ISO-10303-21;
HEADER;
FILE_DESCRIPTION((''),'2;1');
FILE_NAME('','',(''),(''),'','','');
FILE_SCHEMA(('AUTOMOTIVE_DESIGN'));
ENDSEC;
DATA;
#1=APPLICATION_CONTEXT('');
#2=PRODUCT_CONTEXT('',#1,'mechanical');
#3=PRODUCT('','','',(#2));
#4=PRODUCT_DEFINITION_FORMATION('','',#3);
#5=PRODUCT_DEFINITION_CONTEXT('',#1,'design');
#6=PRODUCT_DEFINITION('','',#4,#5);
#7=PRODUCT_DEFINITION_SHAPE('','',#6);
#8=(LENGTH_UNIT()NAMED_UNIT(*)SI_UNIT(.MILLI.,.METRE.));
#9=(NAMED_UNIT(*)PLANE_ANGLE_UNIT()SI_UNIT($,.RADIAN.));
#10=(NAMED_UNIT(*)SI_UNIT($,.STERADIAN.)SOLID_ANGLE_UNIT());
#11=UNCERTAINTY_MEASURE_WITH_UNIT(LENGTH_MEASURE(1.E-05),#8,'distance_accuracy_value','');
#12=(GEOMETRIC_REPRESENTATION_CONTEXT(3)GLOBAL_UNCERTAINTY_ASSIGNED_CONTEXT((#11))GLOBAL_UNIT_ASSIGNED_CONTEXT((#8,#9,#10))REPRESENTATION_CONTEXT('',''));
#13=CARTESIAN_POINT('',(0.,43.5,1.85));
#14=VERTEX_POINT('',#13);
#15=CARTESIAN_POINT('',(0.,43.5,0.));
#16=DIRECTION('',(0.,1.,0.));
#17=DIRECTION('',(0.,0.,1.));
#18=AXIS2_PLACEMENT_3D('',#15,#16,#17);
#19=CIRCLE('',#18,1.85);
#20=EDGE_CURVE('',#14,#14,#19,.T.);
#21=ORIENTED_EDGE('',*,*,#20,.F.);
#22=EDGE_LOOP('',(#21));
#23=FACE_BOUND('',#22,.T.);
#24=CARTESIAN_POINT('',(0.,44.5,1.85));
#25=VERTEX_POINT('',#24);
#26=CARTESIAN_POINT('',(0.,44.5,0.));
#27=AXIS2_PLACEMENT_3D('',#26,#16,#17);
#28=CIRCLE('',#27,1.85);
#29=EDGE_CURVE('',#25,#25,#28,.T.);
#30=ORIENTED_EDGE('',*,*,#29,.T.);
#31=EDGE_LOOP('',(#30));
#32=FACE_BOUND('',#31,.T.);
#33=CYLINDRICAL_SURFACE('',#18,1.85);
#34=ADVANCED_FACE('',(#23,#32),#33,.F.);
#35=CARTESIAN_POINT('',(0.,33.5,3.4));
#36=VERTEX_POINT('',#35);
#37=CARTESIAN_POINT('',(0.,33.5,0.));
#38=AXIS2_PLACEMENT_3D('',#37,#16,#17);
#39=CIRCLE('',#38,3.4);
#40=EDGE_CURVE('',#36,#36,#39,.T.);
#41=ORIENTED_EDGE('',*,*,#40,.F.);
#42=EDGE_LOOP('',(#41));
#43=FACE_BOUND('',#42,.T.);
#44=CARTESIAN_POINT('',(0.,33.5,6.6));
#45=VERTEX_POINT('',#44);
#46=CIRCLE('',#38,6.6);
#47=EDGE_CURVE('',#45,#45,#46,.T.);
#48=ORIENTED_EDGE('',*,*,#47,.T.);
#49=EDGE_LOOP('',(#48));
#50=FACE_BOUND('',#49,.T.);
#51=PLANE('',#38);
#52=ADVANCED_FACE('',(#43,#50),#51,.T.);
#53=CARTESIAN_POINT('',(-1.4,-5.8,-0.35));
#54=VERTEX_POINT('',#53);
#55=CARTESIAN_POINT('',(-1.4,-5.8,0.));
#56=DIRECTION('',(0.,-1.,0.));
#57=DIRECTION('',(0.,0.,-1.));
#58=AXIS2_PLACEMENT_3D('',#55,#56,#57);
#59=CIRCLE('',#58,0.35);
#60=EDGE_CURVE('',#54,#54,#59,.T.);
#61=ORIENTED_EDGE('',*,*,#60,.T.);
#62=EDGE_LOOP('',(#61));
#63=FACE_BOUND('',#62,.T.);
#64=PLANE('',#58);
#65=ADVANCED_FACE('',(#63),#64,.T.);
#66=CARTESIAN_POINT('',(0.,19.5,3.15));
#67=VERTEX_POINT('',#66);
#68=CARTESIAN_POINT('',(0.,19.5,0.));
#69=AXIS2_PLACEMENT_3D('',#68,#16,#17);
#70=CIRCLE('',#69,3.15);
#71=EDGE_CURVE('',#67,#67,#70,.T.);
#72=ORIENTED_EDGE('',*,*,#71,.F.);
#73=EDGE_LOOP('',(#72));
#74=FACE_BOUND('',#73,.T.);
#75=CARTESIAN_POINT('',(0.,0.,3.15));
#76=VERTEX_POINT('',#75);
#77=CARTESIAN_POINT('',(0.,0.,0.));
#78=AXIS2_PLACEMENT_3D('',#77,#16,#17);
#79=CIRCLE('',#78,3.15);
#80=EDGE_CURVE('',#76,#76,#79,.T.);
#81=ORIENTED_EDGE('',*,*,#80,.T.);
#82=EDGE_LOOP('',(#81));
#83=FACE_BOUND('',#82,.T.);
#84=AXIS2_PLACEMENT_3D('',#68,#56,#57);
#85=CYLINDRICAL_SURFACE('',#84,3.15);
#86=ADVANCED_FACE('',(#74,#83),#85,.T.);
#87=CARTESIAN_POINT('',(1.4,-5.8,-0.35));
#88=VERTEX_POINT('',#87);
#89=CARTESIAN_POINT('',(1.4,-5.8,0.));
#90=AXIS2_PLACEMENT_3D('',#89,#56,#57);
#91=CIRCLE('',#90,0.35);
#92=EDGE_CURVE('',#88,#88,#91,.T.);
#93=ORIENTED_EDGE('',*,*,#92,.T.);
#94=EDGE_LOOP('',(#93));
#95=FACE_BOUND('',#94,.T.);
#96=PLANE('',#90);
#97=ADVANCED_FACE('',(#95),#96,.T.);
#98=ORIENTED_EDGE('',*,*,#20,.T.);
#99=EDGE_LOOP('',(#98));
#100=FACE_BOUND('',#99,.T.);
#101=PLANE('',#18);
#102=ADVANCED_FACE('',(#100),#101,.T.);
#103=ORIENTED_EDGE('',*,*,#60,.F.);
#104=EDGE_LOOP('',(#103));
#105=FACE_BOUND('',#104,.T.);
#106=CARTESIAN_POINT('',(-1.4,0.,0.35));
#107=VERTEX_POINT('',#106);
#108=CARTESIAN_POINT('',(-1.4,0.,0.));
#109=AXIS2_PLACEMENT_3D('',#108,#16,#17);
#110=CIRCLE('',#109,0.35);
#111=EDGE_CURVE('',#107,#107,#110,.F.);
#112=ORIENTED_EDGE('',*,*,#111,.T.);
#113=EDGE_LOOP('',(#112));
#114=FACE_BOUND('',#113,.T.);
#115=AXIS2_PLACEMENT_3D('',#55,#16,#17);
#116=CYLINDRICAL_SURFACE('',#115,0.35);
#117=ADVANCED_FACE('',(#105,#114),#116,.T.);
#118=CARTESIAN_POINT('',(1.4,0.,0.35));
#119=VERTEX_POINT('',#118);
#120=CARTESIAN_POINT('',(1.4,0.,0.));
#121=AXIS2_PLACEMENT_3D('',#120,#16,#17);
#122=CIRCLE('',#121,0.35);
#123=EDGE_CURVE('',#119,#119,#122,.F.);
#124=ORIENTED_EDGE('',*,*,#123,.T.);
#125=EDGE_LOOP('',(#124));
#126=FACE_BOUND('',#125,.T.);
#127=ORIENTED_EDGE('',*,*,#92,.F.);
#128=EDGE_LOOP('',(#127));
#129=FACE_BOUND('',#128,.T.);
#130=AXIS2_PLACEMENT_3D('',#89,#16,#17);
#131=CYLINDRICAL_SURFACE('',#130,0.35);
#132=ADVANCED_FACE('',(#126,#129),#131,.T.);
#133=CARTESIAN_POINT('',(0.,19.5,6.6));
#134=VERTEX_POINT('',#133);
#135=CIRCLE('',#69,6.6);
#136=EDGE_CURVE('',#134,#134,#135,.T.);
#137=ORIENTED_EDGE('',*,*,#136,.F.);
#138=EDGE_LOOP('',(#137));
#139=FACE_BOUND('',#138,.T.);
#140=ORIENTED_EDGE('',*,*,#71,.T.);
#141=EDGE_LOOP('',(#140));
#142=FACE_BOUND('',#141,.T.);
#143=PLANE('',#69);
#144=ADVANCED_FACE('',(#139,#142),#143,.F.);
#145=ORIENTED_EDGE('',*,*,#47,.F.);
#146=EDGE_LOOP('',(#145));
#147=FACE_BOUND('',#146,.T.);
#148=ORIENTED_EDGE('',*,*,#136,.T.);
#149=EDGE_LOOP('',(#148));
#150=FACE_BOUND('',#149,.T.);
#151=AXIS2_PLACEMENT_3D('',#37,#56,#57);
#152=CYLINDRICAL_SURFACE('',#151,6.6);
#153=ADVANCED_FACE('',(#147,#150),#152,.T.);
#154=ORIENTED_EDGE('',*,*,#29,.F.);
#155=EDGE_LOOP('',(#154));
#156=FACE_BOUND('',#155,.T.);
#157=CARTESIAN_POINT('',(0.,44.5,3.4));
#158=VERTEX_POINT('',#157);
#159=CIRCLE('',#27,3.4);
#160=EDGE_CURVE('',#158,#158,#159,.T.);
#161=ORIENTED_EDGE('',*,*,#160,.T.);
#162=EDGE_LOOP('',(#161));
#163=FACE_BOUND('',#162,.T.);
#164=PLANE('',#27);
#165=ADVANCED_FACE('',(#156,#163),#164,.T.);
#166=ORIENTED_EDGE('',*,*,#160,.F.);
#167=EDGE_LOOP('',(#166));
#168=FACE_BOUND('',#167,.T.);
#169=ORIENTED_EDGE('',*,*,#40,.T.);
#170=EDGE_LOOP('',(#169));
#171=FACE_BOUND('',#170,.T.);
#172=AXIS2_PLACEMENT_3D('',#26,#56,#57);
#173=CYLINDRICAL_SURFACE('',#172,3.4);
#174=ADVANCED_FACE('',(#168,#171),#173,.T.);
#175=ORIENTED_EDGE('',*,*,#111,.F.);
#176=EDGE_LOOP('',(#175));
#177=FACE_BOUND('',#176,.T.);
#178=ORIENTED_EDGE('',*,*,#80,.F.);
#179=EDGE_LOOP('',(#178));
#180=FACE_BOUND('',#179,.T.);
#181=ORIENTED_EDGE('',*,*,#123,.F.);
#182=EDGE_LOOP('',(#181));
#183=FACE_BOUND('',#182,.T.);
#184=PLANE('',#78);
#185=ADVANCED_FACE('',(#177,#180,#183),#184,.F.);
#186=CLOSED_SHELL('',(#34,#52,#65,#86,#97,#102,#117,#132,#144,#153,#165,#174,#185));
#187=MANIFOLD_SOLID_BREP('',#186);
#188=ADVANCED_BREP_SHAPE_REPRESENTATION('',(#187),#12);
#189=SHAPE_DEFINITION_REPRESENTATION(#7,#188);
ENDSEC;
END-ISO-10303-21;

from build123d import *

# Parameters (mm, degrees)
SKETCH1_R           = 3.15
BOSS_EXTRUDE1_DEPTH = 19.5
SKETCH2_R           = 0.35
BOSS_EXTRUDE2_DEPTH = 5.8
SKETCH3_R           = 6.6
BOSS_EXTRUDE3_DEPTH = 14
SKETCH4_R           = 3.4
BOSS_EXTRUDE4_DEPTH = 11
SKETCH5_R           = 1.85
CUT_EXTRUDE1_DEPTH  = 1


with BuildPart() as part:
    # Sketch1 → Boss-Extrude1 (new body)
    with BuildSketch(Plane(origin=(0, 0, 0), x_dir=(1, 0, 0), z_dir=(0, 1, 0))):
        with Locations(Location((0, 0, 0), (0, 0, 270))):
            Circle(SKETCH1_R)
    extrude(amount=BOSS_EXTRUDE1_DEPTH)

    # Sketch2 → Boss-Extrude2 (add)
    with BuildSketch(Plane.XZ):
        with Locations(Location((-1.4, 0, 0), (0, 0, 90))):
            Circle(SKETCH2_R)
        with Locations(Location((1.4, 0, 0), (0, 0, 90))):
            Circle(SKETCH2_R)
    extrude(amount=BOSS_EXTRUDE2_DEPTH)

    # Sketch3 → Boss-Extrude3 (add)
    with BuildSketch(Plane(origin=(0, 19.5, 0), x_dir=(1, 0, 0), z_dir=(0, 1, 0))):
        with Locations(Location((0, 0, 0), (0, 0, 270))):
            Circle(SKETCH3_R)
    extrude(amount=BOSS_EXTRUDE3_DEPTH)

    # Sketch4 → Boss-Extrude4 (add)
    with BuildSketch(Plane(origin=(0, 33.5, 0), x_dir=(1, 0, 0), z_dir=(0, 1, 0))):
        with Locations(Location((0, 0, 0), (0, 0, 270))):
            Circle(SKETCH4_R)
    extrude(amount=BOSS_EXTRUDE4_DEPTH)

    # Sketch5 → Cut-Extrude1 (cut)
    with BuildSketch(Plane(origin=(0, 44.5, 0), x_dir=(1, 0, 0), z_dir=(0, 1, 0))):
        with Locations(Location((0, 0, 0), (0, 0, 270))):
            Circle(SKETCH5_R)
    extrude(amount=-CUT_EXTRUDE1_DEPTH, mode=Mode.SUBTRACT)


solid = part.part
